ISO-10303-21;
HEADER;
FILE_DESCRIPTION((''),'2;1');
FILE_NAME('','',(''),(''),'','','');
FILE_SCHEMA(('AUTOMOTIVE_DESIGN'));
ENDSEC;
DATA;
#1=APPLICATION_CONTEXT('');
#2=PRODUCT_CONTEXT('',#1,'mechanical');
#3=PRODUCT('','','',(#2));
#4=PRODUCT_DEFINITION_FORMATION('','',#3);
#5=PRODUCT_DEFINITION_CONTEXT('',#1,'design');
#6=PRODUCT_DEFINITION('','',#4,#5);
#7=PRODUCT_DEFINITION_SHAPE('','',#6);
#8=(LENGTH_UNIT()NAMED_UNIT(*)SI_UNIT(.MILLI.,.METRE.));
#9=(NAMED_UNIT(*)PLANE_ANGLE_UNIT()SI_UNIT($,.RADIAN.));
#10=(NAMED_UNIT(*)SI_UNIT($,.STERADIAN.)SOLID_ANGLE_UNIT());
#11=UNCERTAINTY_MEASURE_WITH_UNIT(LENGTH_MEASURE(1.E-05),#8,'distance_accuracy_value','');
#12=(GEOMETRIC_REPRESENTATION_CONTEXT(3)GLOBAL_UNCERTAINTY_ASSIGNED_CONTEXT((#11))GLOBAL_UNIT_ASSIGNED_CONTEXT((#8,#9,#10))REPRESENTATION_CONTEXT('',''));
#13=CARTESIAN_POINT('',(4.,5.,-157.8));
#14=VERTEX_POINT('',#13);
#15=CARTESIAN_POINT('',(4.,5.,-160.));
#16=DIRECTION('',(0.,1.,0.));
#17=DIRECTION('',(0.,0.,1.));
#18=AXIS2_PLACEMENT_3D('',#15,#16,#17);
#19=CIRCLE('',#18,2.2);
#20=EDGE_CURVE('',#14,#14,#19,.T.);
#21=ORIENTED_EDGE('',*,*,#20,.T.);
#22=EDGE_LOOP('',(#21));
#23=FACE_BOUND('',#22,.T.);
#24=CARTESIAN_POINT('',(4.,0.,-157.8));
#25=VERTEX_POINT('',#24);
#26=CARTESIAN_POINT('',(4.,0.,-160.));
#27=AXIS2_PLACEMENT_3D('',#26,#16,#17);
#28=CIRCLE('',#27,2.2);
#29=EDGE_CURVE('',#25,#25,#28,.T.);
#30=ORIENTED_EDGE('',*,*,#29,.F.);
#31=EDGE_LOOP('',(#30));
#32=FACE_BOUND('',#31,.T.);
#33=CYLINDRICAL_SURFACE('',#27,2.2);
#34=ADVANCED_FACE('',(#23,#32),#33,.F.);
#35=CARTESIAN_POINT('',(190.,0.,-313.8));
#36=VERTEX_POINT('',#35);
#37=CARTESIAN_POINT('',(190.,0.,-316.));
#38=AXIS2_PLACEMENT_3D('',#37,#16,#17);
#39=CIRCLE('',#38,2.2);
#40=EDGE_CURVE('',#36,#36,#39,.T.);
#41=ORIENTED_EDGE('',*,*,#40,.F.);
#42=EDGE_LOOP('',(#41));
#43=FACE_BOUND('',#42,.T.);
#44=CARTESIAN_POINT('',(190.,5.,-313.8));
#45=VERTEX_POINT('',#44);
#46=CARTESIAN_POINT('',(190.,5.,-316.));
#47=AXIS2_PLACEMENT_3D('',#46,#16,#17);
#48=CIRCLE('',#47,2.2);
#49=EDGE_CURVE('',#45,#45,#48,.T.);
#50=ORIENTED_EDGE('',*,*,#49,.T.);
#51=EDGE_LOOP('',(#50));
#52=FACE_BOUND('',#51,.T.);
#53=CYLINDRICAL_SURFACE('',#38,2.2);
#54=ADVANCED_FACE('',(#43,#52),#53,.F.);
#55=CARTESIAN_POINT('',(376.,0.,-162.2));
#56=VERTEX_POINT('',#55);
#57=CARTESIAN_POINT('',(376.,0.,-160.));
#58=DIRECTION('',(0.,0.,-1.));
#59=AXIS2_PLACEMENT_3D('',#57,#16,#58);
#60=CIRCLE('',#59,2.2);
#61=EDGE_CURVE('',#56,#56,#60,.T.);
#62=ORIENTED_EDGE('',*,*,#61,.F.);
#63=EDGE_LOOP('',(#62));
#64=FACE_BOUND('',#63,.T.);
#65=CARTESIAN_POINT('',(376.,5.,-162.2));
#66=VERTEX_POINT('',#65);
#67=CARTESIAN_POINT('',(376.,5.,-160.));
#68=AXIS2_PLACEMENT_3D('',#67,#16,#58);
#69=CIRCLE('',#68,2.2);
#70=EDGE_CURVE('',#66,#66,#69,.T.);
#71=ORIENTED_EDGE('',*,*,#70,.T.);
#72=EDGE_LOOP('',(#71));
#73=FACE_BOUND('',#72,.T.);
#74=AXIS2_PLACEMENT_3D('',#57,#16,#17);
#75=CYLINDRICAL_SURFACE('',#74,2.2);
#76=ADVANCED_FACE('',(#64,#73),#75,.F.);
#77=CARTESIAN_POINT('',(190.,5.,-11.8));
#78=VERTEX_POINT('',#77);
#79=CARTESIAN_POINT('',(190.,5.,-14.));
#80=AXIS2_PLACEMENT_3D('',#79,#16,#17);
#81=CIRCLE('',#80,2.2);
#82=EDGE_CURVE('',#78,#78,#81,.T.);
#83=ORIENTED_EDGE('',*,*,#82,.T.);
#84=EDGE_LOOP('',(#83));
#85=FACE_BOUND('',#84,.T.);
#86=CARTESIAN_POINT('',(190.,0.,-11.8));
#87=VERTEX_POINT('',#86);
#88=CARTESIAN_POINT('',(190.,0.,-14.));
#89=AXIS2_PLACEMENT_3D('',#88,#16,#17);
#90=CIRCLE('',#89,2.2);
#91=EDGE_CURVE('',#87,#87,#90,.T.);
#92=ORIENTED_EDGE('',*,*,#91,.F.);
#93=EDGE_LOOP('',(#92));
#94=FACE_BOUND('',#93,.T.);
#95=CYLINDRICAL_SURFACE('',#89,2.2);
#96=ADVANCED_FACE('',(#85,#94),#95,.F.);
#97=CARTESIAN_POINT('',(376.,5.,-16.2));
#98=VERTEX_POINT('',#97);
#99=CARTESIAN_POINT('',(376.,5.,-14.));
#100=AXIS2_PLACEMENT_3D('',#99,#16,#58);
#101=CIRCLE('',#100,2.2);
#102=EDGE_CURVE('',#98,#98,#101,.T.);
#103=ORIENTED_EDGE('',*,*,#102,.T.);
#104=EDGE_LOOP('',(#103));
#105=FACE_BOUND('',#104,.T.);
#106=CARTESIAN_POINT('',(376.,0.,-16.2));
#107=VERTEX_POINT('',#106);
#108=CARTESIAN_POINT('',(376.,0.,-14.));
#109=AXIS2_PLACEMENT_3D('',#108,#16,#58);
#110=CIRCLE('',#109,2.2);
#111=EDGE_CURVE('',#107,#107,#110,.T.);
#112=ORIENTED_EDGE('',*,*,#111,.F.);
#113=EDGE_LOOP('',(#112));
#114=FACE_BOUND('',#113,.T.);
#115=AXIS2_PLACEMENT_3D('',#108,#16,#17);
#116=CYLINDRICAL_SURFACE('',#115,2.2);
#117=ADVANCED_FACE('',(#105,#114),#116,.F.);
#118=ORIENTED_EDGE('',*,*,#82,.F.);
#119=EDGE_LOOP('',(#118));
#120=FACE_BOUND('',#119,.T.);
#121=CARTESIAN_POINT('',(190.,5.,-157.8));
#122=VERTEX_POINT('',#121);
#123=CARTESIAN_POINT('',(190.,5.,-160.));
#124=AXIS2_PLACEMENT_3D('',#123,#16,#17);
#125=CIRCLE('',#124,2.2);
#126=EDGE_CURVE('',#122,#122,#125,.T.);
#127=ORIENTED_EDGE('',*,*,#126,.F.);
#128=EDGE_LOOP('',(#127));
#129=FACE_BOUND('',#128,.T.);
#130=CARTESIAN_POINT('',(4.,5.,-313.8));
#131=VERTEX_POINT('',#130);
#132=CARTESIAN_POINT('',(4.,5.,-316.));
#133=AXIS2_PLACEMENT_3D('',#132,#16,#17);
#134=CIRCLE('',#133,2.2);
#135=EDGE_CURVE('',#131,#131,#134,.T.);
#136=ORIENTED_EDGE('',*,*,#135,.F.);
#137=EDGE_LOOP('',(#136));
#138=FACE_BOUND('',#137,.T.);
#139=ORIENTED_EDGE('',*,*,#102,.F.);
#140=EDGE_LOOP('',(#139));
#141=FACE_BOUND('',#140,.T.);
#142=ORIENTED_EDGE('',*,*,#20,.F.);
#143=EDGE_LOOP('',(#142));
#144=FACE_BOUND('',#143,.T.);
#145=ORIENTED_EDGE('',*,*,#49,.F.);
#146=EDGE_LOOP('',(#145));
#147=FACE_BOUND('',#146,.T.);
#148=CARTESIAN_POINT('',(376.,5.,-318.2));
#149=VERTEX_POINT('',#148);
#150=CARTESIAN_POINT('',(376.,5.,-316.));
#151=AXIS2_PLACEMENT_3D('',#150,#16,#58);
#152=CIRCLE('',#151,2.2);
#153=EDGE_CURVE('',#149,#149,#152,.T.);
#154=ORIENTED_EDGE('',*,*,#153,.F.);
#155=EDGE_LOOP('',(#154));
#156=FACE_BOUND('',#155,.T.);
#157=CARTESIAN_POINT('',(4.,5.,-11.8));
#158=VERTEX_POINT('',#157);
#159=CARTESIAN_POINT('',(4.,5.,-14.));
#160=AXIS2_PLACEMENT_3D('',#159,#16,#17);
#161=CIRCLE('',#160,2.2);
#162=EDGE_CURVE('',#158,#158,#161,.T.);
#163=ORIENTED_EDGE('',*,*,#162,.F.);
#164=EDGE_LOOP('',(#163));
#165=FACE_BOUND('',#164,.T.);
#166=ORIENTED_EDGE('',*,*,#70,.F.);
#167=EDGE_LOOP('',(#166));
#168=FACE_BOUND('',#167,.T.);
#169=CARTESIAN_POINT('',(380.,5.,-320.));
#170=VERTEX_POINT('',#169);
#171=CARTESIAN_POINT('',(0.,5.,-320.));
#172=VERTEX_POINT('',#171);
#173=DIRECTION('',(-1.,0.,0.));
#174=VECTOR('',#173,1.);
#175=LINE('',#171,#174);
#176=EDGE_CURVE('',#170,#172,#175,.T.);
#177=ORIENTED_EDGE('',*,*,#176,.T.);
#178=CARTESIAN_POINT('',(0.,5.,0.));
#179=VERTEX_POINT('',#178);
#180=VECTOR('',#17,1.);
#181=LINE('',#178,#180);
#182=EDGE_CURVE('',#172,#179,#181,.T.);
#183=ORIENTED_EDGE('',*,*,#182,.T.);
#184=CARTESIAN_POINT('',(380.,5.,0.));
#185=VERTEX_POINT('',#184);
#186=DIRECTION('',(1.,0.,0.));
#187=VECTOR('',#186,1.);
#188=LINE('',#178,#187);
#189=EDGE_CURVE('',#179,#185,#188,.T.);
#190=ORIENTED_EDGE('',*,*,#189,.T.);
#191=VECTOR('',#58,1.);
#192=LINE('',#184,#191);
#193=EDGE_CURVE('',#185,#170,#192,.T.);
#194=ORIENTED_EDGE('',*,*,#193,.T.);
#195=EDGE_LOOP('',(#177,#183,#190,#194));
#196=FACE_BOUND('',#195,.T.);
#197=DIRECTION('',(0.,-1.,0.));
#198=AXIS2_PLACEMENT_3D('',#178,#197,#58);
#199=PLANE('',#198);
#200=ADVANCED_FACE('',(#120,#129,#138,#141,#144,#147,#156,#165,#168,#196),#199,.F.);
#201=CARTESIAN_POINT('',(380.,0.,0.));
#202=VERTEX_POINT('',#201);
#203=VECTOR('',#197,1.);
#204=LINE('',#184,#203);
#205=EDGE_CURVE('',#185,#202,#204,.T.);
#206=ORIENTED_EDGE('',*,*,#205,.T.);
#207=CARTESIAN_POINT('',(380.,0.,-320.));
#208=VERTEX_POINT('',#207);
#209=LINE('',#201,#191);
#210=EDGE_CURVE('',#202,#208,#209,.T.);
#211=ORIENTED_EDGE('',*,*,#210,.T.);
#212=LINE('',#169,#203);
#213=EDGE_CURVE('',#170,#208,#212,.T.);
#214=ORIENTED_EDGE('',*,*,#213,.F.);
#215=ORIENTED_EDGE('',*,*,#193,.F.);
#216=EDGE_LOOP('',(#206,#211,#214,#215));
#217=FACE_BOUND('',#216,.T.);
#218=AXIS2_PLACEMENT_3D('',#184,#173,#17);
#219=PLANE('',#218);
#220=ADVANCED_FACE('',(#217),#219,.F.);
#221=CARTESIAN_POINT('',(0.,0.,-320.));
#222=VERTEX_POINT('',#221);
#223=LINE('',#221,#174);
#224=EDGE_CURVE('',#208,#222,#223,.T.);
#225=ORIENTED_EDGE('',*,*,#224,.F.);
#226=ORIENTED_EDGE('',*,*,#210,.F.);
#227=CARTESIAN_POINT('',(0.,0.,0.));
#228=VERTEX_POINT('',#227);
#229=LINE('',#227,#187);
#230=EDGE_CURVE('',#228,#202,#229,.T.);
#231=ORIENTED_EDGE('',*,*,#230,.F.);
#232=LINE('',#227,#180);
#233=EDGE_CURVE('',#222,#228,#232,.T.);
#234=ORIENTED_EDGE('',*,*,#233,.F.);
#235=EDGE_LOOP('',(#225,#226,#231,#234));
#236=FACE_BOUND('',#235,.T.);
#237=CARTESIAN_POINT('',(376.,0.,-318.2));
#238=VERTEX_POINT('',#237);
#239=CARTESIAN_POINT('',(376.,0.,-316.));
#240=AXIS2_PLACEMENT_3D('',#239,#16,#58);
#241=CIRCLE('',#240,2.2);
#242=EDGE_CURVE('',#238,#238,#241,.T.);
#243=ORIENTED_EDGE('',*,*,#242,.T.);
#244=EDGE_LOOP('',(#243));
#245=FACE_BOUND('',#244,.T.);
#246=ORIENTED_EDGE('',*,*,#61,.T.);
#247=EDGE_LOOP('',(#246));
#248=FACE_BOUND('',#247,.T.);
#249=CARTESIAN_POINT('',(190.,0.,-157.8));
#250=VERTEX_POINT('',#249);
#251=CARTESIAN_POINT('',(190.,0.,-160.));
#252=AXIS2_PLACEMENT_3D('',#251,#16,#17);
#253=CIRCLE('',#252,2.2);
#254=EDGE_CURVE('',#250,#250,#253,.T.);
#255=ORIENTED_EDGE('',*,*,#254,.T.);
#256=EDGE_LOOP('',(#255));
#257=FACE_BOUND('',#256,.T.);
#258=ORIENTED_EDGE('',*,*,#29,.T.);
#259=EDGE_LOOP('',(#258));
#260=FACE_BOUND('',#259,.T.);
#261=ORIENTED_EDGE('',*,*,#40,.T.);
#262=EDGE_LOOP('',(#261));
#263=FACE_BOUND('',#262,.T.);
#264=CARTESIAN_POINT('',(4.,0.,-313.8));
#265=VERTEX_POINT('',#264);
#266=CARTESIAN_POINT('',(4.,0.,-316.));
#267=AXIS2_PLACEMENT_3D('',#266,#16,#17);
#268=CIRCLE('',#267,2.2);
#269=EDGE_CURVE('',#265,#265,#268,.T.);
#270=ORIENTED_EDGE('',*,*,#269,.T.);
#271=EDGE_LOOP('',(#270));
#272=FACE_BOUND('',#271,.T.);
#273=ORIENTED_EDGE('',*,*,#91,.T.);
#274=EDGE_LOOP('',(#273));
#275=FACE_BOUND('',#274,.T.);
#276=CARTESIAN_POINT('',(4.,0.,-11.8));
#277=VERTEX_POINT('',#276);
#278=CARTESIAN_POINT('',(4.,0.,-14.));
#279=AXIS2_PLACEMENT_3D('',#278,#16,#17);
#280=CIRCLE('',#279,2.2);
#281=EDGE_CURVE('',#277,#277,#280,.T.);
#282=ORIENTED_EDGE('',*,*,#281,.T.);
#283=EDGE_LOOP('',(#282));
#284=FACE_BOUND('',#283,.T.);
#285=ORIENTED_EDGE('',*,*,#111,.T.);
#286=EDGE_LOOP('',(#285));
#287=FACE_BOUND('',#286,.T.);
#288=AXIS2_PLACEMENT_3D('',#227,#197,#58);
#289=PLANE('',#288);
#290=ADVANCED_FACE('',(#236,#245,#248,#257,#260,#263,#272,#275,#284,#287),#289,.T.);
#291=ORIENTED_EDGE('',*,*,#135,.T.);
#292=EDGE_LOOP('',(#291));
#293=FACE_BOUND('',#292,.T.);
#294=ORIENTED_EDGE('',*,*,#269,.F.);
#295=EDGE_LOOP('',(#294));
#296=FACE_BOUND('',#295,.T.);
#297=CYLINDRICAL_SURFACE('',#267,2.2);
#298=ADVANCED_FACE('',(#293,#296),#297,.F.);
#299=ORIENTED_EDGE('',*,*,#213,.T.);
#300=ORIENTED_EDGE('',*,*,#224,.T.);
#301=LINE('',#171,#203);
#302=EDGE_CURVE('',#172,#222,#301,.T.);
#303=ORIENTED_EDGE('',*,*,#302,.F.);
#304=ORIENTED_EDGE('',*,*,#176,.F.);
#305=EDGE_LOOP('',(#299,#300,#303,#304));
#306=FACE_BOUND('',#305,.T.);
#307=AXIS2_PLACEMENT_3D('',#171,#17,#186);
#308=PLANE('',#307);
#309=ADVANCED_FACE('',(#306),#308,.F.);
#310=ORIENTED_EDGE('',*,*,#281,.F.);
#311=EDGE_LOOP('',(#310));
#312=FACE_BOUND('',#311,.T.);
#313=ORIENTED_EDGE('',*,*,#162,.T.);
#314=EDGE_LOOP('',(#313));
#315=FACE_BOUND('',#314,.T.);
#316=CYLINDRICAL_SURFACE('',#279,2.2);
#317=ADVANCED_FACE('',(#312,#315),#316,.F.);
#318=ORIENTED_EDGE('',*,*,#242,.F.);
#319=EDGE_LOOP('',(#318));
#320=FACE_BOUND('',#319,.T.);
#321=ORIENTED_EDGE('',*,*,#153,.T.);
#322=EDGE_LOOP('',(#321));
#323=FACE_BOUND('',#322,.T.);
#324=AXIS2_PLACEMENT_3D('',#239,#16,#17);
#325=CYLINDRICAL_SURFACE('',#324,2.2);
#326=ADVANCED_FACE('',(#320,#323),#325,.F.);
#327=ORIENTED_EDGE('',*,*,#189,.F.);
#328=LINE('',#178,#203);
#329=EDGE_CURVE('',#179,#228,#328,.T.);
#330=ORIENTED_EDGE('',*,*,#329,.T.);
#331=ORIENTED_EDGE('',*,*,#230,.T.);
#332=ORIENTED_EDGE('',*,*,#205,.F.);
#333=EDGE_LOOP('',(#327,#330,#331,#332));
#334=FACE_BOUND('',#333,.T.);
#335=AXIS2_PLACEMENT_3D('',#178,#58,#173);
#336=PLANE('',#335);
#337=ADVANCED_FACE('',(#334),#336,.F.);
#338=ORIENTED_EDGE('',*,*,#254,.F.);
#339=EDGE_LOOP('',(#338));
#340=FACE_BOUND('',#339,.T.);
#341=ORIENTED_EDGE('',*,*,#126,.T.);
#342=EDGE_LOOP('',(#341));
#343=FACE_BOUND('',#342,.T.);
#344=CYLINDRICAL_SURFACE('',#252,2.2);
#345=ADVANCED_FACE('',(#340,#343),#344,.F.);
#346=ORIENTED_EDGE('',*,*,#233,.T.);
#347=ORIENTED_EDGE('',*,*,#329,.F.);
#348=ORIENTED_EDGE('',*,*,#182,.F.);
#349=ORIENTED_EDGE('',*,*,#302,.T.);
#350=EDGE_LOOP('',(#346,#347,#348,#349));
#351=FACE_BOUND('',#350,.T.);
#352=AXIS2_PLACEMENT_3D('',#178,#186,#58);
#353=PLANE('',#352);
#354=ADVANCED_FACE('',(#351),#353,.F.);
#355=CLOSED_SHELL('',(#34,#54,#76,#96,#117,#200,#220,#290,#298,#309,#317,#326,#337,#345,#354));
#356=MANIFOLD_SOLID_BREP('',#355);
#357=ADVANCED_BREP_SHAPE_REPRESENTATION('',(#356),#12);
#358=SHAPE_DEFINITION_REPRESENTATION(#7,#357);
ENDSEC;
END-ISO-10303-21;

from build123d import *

# Parameters (mm, degrees)
SKETCH1_W           = 380
SKETCH1_H           = 320
BOSS_EXTRUDE1_DEPTH = 5
SKETCH2_R           = 2.2
CUT_EXTRUDE1_DEPTH  = 5


with BuildPart() as part:
    # Sketch1 → Boss-Extrude1 (new body)
    with BuildSketch(Plane(origin=(0, 0, 0), x_dir=(1, 0, 0), z_dir=(0, 1, 0))):
        with Locations((190, 160)):
            Rectangle(SKETCH1_W, SKETCH1_H)
    extrude(amount=BOSS_EXTRUDE1_DEPTH)

    # Sketch2 → Cut-Extrude1 (cut)
    with BuildSketch(Plane(origin=(0, 5, 0), x_dir=(1, 0, 0), z_dir=(0, 1, 0))):
        with Locations(Location((4, 316, 0), (0, 0, 270))):
            Circle(SKETCH2_R)
        with Locations(Location((4, 160, 0), (0, 0, 270))):
            Circle(SKETCH2_R)
        with Locations(Location((4, 14, 0), (0, 0, 270))):
            Circle(SKETCH2_R)
        with Locations(Location((376, 160, 0), (0, 0, 90))):
            Circle(SKETCH2_R)
        with Locations(Location((376, 14, 0), (0, 0, 90))):
            Circle(SKETCH2_R)
        with Locations(Location((376, 316, 0), (0, 0, 90))):
            Circle(SKETCH2_R)
        with Locations(Location((190, 160, 0), (0, 0, 270))):
            Circle(SKETCH2_R)
        with Locations(Location((190, 14, 0), (0, 0, 270))):
            Circle(SKETCH2_R)
        with Locations(Location((190, 316, 0), (0, 0, 270))):
            Circle(SKETCH2_R)
    extrude(amount=-CUT_EXTRUDE1_DEPTH, mode=Mode.SUBTRACT)


solid = part.part
